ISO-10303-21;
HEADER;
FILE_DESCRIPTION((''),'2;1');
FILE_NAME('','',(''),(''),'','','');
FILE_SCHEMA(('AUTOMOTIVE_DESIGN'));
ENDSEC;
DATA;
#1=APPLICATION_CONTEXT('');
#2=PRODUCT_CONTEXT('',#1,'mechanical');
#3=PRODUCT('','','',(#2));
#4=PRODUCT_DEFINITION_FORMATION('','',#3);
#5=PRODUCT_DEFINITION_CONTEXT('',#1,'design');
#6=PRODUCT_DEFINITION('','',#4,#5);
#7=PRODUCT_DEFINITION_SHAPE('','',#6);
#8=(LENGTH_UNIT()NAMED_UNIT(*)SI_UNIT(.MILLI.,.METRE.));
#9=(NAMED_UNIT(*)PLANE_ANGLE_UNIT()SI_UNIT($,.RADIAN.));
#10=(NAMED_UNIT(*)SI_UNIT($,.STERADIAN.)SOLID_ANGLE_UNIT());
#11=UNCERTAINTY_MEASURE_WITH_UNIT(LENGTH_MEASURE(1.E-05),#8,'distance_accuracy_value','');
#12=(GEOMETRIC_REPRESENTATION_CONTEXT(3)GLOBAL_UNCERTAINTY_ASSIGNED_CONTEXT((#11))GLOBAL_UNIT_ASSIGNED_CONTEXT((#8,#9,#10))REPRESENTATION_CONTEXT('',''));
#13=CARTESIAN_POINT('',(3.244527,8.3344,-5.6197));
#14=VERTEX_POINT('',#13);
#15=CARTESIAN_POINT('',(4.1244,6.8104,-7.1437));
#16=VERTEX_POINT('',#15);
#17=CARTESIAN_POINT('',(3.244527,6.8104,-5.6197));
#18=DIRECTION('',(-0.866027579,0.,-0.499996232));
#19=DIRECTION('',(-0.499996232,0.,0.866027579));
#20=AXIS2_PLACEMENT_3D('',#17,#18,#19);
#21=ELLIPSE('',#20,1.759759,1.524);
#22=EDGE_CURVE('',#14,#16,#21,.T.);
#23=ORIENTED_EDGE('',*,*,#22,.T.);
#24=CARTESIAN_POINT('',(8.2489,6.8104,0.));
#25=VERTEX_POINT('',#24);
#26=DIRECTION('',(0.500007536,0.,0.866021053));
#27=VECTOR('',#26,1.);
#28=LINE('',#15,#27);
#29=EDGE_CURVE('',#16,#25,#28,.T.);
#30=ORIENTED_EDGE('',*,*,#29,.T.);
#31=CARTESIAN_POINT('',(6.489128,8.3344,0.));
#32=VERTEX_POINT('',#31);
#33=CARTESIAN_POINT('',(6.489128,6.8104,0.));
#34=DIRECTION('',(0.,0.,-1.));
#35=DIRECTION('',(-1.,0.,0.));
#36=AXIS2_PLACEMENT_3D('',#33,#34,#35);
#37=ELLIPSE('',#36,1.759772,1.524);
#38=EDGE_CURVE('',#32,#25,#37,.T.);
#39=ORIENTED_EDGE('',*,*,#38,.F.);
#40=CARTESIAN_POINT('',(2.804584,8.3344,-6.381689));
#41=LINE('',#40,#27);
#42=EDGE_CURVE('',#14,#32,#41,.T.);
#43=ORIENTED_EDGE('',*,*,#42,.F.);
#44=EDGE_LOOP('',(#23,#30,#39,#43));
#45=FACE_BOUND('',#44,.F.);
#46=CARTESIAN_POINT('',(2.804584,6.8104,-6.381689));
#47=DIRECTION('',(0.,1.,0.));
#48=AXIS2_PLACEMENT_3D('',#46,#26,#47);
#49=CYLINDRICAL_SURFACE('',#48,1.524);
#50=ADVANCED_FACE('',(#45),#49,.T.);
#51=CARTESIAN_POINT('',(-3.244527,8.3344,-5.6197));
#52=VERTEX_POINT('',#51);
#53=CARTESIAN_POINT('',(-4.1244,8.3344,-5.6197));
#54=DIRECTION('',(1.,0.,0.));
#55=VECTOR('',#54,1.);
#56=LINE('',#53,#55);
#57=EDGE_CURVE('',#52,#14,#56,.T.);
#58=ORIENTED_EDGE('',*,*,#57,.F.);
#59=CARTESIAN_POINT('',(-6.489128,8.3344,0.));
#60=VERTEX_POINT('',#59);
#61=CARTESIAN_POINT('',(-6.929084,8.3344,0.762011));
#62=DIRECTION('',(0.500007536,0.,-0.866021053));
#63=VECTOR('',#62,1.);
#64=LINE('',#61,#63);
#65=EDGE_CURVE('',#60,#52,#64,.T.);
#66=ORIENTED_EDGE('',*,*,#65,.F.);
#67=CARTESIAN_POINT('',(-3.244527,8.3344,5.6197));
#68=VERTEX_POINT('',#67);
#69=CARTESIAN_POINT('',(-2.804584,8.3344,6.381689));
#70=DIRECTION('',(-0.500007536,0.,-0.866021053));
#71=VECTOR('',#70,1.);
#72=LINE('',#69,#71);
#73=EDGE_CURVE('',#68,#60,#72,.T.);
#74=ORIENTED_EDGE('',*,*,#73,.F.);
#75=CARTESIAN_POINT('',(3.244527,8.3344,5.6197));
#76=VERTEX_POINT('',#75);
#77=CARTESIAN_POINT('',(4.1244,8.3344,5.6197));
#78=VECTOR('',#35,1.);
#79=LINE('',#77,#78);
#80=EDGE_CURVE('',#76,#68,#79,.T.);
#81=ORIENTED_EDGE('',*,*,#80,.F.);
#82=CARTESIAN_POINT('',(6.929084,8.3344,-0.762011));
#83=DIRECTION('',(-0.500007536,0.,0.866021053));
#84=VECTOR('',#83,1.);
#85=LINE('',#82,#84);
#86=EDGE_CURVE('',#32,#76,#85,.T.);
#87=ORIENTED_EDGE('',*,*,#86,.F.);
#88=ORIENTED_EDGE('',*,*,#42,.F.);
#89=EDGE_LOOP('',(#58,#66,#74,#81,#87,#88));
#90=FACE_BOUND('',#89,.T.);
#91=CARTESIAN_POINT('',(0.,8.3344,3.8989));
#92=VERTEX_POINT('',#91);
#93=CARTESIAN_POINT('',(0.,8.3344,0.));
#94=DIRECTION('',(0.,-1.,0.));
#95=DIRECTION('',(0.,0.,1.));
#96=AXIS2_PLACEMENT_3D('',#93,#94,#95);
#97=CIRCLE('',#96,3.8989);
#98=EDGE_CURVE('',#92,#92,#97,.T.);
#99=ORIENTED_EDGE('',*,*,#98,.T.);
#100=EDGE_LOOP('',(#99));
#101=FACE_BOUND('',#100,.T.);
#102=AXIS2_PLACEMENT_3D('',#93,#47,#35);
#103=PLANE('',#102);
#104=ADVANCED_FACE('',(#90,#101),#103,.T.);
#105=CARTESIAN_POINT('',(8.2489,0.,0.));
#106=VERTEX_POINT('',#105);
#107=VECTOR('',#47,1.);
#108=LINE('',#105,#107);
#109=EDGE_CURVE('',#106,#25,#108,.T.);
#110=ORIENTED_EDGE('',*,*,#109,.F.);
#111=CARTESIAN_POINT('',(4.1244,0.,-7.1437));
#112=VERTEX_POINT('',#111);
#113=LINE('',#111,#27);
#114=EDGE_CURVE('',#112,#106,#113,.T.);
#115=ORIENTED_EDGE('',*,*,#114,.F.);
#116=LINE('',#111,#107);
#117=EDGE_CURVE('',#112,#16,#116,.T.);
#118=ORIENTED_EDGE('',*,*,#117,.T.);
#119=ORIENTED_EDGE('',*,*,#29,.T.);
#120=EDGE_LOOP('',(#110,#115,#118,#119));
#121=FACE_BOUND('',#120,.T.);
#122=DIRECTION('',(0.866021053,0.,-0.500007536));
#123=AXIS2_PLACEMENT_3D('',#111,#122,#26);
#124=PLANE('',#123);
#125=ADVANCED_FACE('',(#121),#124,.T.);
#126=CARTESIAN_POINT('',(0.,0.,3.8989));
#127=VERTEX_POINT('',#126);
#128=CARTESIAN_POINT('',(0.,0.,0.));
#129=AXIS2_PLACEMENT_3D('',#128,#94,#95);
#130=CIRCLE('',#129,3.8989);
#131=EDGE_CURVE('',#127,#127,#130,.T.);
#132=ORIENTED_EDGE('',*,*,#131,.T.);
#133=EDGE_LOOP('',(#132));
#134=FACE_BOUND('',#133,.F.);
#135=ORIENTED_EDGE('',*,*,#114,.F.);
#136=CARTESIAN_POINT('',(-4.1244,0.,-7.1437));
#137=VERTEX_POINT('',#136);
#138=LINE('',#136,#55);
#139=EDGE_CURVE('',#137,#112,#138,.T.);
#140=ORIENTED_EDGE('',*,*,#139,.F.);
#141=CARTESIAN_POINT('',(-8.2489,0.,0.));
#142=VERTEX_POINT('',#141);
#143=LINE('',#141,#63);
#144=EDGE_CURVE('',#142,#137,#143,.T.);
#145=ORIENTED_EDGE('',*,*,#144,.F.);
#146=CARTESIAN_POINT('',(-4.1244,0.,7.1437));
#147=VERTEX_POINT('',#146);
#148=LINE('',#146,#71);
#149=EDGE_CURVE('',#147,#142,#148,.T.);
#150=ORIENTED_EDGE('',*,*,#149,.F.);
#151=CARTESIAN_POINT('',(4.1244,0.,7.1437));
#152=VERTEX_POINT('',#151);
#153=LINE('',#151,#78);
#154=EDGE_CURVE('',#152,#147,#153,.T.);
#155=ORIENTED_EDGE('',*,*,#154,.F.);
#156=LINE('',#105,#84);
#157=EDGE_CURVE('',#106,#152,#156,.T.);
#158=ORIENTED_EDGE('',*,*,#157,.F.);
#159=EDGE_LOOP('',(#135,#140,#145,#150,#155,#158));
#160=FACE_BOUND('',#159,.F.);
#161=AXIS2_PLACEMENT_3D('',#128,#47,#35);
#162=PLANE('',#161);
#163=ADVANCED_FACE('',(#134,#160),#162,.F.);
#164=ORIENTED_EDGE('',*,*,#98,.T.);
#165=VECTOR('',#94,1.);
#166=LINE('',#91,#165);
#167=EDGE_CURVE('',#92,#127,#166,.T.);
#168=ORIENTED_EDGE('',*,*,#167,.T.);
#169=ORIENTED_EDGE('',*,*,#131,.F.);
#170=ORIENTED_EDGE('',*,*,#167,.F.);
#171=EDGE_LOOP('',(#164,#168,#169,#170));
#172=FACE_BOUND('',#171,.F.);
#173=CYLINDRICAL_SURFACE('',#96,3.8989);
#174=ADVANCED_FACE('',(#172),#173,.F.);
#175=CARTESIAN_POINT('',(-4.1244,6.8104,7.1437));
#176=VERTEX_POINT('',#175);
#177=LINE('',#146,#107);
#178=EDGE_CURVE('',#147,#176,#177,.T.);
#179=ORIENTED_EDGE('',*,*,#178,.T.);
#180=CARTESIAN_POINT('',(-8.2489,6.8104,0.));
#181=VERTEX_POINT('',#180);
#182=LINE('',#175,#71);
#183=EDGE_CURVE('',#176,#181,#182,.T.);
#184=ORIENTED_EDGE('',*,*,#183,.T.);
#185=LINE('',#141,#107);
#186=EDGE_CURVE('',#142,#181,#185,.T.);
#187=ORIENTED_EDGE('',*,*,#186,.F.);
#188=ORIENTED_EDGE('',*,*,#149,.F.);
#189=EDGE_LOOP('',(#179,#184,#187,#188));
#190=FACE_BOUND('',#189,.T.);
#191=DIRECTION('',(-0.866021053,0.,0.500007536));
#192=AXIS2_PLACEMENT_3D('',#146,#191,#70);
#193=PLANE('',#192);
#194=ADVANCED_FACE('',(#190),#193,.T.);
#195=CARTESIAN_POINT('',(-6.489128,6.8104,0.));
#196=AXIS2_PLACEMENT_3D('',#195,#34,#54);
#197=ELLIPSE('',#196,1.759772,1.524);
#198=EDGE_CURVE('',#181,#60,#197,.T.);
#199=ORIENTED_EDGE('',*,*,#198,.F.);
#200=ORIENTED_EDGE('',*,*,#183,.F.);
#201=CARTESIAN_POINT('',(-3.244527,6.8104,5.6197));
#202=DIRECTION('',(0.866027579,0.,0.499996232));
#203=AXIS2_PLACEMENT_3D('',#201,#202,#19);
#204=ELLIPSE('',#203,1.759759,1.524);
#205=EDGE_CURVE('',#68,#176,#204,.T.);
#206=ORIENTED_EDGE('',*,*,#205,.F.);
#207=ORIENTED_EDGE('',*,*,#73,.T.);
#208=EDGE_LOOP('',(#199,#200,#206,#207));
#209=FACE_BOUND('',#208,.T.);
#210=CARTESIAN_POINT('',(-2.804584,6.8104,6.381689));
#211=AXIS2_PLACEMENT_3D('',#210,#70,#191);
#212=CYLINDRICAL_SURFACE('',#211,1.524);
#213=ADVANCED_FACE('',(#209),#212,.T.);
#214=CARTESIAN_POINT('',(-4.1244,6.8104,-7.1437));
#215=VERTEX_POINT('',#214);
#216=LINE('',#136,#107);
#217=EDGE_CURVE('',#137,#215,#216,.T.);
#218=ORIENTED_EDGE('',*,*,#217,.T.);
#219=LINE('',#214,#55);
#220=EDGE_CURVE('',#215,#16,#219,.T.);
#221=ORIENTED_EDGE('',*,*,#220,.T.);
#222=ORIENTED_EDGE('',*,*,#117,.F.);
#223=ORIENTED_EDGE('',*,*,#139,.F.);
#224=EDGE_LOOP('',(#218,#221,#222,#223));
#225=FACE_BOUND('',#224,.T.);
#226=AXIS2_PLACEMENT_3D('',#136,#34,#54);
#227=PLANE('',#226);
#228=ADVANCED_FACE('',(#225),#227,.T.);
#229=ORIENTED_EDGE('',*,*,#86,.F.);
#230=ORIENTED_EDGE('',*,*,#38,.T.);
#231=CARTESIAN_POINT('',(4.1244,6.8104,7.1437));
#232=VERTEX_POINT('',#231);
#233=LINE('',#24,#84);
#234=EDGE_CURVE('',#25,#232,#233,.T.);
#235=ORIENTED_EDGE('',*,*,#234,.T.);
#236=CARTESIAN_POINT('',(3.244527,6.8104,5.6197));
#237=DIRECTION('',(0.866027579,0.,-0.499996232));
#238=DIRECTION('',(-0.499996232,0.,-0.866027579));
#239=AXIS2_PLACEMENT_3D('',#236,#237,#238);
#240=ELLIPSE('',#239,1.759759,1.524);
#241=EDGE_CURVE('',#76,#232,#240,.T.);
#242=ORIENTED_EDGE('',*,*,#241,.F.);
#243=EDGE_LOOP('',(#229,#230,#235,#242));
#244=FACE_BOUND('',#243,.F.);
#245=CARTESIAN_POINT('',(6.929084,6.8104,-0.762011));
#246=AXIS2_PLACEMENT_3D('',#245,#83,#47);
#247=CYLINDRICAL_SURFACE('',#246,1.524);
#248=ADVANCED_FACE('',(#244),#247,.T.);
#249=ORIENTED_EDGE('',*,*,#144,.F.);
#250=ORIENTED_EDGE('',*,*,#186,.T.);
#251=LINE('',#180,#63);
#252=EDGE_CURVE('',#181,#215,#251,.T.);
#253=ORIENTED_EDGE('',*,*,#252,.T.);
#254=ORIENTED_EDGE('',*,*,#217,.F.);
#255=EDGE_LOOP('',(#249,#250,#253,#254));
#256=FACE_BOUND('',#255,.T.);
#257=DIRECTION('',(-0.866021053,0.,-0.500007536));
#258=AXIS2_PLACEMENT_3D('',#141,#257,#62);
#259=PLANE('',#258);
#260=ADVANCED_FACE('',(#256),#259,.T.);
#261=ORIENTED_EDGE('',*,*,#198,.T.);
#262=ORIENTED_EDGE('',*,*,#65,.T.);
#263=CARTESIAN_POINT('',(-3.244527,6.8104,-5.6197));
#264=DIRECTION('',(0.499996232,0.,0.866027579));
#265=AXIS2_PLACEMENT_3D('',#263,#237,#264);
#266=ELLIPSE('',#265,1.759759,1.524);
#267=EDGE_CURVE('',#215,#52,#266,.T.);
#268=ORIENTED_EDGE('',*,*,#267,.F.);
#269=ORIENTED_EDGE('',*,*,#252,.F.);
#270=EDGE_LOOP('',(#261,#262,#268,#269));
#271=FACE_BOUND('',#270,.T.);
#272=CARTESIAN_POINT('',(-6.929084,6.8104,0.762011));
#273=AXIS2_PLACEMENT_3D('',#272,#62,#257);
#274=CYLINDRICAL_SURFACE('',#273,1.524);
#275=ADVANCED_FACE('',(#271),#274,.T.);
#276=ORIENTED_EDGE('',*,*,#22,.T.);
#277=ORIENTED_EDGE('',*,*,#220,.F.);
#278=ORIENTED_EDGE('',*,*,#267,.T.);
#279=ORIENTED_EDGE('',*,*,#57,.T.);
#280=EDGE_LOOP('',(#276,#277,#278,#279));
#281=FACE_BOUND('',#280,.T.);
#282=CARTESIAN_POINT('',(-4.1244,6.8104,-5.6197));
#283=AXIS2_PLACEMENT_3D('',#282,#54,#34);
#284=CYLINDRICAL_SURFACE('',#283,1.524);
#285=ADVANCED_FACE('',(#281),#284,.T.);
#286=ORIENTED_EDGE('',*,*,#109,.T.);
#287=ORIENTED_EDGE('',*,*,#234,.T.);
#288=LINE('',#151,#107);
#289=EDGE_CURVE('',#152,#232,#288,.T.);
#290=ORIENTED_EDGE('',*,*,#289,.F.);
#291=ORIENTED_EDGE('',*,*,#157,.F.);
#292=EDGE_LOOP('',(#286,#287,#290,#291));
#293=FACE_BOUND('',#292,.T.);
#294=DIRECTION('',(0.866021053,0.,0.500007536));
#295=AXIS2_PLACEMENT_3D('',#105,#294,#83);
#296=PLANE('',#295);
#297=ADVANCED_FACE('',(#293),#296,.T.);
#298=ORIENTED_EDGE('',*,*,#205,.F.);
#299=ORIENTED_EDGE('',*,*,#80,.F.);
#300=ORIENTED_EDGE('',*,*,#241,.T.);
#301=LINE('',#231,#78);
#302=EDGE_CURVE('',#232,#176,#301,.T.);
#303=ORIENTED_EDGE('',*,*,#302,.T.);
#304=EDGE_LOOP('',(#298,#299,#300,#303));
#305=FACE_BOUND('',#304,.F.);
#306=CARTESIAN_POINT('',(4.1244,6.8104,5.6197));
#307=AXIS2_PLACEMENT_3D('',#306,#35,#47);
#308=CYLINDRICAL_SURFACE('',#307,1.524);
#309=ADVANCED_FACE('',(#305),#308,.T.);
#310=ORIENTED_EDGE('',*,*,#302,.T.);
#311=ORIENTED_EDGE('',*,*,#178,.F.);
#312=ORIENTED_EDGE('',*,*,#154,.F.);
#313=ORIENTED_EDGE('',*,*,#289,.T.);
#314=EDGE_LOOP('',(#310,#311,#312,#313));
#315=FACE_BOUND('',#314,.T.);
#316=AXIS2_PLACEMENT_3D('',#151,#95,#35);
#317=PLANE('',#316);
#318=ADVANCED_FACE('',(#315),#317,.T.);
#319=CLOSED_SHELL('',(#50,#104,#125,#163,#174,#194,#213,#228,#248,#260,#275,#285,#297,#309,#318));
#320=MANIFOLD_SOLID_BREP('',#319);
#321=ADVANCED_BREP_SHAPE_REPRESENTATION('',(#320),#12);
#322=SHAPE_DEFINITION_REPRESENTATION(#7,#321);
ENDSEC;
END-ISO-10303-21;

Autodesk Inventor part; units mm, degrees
ref_plane "YZ Plane" through (0, 0, 0) normal (1, 0, 0) x (0, 1, 0)
ref_plane "XZ Plane" through (0, 0, 0) normal (0, 1, 0) x (-1, 0, 0)
ref_plane "XY Plane" through (0, 0, 0) normal (0, 0, 1) x (1, 0, 0)
sketch "Sketch1" plane through (0, 0, 0) normal (0, 1, 0) x (-1, 0, 0)
  line L0 (8.2489, 0) -> (4.1244, -7.1437)
  line L1 (4.1244, -7.1437) -> (-4.1244, -7.1437)
  line L2 (-4.1244, -7.1437) -> (-8.2489, 0)
  line L3 (-8.2489, 0) -> (-4.1244, 7.1437)
  line L4 (-4.1244, 7.1437) -> (4.1244, 7.1437)
  line L5 (4.1244, 7.1437) -> (8.2489, 0)
  point P0 (0, 0)
  point P1 (0, 0)
  dimension "d0" = 14.2875
extrude "Extrusion1" add sketch "Sketch1" along normal blind 8.3344
sketch "Sketch2" plane through (0, 8.3344, 0) normal (0, 1, 0) x (1, 0, 0)
  circle A0 centre (0, 0) radius 4.7625
  dimension "d3" = 9.525
hole "Hole1" at (0, 8.3344, 0) direction (0, -1, 0) diameter 7.7978 end through all thread size "3/8-16 UNC" class "2B" standard "ANSI Unified Screw Threads"
fillet "Fillet1" radius 1.524 6 edges at (0, 8.3344, 7.1437) (6.1867, 8.3344, 3.5719) (6.1867, 8.3344, -3.5719) (0, 8.3344, -7.1437) (-6.1867, 8.3344, -3.5719) (-6.1867, 8.3344, 3.5719)
properties part number "0nut_ss_375" material "Stainless Steel"
